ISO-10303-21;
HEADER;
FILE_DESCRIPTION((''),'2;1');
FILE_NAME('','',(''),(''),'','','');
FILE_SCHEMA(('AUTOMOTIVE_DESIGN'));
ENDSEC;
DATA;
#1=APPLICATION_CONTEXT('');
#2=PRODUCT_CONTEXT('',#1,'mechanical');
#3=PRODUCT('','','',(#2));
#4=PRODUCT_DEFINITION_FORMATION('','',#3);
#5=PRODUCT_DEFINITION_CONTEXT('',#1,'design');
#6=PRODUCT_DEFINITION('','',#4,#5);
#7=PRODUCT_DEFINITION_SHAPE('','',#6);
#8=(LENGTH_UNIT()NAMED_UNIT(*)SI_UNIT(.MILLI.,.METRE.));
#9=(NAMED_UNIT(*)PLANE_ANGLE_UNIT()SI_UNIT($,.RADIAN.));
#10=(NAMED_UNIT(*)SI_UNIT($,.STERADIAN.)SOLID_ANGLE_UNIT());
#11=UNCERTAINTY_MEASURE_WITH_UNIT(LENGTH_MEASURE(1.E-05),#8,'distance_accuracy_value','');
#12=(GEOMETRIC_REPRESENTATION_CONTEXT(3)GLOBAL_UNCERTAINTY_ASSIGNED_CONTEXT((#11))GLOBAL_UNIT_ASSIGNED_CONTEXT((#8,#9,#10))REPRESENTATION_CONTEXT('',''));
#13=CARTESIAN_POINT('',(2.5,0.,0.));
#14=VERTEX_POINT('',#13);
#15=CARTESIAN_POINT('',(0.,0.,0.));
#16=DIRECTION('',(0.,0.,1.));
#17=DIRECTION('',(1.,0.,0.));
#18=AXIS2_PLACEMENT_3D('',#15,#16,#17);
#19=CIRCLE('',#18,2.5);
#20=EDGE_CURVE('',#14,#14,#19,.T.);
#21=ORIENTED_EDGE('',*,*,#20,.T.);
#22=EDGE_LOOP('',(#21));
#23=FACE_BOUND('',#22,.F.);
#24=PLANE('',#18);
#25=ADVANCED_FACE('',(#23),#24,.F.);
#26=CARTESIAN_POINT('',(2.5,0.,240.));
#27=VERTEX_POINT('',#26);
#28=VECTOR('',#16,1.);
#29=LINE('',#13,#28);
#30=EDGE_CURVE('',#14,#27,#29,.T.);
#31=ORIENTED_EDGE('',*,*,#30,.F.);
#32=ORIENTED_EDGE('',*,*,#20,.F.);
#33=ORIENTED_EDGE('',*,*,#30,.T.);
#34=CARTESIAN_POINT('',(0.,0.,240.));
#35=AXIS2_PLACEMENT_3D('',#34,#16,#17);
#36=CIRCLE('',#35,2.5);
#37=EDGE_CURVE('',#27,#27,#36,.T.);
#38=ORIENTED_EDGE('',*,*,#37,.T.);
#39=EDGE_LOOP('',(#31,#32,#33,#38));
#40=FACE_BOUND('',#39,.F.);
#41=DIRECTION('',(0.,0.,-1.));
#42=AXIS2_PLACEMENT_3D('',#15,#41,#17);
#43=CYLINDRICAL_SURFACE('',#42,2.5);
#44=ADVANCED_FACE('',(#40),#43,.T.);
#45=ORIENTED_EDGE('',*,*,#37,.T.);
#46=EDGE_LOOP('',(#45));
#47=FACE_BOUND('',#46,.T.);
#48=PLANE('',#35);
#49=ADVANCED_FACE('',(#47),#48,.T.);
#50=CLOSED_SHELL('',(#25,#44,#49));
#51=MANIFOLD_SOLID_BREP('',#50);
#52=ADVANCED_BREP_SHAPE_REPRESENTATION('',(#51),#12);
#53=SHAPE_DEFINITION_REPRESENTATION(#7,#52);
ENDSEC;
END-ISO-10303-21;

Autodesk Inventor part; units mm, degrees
ref_plane "YZ Plane" through (0, 0, 0) normal (1, 0, 0) x (0, 1, 0)
ref_plane "XZ Plane" through (0, 0, 0) normal (0, 1, 0) x (-1, 0, 0)
ref_plane "XY Plane" through (0, 0, 0) normal (0, 0, 1) x (1, 0, 0)
sketch "Sketch1" plane through (0, 0, 0) normal (0, 0, 1) x (1, 0, 0)
  circle A0 centre (0, 0) radius 2.5
  dimension "d0" = 5
extrude "Extrusion1" add sketch "Sketch1" along normal blind 240
thread "Thread1" size "M5x0.8" class "6g" standard "ISO Metric profile" full length
properties part number "M5 Gewindestange"
